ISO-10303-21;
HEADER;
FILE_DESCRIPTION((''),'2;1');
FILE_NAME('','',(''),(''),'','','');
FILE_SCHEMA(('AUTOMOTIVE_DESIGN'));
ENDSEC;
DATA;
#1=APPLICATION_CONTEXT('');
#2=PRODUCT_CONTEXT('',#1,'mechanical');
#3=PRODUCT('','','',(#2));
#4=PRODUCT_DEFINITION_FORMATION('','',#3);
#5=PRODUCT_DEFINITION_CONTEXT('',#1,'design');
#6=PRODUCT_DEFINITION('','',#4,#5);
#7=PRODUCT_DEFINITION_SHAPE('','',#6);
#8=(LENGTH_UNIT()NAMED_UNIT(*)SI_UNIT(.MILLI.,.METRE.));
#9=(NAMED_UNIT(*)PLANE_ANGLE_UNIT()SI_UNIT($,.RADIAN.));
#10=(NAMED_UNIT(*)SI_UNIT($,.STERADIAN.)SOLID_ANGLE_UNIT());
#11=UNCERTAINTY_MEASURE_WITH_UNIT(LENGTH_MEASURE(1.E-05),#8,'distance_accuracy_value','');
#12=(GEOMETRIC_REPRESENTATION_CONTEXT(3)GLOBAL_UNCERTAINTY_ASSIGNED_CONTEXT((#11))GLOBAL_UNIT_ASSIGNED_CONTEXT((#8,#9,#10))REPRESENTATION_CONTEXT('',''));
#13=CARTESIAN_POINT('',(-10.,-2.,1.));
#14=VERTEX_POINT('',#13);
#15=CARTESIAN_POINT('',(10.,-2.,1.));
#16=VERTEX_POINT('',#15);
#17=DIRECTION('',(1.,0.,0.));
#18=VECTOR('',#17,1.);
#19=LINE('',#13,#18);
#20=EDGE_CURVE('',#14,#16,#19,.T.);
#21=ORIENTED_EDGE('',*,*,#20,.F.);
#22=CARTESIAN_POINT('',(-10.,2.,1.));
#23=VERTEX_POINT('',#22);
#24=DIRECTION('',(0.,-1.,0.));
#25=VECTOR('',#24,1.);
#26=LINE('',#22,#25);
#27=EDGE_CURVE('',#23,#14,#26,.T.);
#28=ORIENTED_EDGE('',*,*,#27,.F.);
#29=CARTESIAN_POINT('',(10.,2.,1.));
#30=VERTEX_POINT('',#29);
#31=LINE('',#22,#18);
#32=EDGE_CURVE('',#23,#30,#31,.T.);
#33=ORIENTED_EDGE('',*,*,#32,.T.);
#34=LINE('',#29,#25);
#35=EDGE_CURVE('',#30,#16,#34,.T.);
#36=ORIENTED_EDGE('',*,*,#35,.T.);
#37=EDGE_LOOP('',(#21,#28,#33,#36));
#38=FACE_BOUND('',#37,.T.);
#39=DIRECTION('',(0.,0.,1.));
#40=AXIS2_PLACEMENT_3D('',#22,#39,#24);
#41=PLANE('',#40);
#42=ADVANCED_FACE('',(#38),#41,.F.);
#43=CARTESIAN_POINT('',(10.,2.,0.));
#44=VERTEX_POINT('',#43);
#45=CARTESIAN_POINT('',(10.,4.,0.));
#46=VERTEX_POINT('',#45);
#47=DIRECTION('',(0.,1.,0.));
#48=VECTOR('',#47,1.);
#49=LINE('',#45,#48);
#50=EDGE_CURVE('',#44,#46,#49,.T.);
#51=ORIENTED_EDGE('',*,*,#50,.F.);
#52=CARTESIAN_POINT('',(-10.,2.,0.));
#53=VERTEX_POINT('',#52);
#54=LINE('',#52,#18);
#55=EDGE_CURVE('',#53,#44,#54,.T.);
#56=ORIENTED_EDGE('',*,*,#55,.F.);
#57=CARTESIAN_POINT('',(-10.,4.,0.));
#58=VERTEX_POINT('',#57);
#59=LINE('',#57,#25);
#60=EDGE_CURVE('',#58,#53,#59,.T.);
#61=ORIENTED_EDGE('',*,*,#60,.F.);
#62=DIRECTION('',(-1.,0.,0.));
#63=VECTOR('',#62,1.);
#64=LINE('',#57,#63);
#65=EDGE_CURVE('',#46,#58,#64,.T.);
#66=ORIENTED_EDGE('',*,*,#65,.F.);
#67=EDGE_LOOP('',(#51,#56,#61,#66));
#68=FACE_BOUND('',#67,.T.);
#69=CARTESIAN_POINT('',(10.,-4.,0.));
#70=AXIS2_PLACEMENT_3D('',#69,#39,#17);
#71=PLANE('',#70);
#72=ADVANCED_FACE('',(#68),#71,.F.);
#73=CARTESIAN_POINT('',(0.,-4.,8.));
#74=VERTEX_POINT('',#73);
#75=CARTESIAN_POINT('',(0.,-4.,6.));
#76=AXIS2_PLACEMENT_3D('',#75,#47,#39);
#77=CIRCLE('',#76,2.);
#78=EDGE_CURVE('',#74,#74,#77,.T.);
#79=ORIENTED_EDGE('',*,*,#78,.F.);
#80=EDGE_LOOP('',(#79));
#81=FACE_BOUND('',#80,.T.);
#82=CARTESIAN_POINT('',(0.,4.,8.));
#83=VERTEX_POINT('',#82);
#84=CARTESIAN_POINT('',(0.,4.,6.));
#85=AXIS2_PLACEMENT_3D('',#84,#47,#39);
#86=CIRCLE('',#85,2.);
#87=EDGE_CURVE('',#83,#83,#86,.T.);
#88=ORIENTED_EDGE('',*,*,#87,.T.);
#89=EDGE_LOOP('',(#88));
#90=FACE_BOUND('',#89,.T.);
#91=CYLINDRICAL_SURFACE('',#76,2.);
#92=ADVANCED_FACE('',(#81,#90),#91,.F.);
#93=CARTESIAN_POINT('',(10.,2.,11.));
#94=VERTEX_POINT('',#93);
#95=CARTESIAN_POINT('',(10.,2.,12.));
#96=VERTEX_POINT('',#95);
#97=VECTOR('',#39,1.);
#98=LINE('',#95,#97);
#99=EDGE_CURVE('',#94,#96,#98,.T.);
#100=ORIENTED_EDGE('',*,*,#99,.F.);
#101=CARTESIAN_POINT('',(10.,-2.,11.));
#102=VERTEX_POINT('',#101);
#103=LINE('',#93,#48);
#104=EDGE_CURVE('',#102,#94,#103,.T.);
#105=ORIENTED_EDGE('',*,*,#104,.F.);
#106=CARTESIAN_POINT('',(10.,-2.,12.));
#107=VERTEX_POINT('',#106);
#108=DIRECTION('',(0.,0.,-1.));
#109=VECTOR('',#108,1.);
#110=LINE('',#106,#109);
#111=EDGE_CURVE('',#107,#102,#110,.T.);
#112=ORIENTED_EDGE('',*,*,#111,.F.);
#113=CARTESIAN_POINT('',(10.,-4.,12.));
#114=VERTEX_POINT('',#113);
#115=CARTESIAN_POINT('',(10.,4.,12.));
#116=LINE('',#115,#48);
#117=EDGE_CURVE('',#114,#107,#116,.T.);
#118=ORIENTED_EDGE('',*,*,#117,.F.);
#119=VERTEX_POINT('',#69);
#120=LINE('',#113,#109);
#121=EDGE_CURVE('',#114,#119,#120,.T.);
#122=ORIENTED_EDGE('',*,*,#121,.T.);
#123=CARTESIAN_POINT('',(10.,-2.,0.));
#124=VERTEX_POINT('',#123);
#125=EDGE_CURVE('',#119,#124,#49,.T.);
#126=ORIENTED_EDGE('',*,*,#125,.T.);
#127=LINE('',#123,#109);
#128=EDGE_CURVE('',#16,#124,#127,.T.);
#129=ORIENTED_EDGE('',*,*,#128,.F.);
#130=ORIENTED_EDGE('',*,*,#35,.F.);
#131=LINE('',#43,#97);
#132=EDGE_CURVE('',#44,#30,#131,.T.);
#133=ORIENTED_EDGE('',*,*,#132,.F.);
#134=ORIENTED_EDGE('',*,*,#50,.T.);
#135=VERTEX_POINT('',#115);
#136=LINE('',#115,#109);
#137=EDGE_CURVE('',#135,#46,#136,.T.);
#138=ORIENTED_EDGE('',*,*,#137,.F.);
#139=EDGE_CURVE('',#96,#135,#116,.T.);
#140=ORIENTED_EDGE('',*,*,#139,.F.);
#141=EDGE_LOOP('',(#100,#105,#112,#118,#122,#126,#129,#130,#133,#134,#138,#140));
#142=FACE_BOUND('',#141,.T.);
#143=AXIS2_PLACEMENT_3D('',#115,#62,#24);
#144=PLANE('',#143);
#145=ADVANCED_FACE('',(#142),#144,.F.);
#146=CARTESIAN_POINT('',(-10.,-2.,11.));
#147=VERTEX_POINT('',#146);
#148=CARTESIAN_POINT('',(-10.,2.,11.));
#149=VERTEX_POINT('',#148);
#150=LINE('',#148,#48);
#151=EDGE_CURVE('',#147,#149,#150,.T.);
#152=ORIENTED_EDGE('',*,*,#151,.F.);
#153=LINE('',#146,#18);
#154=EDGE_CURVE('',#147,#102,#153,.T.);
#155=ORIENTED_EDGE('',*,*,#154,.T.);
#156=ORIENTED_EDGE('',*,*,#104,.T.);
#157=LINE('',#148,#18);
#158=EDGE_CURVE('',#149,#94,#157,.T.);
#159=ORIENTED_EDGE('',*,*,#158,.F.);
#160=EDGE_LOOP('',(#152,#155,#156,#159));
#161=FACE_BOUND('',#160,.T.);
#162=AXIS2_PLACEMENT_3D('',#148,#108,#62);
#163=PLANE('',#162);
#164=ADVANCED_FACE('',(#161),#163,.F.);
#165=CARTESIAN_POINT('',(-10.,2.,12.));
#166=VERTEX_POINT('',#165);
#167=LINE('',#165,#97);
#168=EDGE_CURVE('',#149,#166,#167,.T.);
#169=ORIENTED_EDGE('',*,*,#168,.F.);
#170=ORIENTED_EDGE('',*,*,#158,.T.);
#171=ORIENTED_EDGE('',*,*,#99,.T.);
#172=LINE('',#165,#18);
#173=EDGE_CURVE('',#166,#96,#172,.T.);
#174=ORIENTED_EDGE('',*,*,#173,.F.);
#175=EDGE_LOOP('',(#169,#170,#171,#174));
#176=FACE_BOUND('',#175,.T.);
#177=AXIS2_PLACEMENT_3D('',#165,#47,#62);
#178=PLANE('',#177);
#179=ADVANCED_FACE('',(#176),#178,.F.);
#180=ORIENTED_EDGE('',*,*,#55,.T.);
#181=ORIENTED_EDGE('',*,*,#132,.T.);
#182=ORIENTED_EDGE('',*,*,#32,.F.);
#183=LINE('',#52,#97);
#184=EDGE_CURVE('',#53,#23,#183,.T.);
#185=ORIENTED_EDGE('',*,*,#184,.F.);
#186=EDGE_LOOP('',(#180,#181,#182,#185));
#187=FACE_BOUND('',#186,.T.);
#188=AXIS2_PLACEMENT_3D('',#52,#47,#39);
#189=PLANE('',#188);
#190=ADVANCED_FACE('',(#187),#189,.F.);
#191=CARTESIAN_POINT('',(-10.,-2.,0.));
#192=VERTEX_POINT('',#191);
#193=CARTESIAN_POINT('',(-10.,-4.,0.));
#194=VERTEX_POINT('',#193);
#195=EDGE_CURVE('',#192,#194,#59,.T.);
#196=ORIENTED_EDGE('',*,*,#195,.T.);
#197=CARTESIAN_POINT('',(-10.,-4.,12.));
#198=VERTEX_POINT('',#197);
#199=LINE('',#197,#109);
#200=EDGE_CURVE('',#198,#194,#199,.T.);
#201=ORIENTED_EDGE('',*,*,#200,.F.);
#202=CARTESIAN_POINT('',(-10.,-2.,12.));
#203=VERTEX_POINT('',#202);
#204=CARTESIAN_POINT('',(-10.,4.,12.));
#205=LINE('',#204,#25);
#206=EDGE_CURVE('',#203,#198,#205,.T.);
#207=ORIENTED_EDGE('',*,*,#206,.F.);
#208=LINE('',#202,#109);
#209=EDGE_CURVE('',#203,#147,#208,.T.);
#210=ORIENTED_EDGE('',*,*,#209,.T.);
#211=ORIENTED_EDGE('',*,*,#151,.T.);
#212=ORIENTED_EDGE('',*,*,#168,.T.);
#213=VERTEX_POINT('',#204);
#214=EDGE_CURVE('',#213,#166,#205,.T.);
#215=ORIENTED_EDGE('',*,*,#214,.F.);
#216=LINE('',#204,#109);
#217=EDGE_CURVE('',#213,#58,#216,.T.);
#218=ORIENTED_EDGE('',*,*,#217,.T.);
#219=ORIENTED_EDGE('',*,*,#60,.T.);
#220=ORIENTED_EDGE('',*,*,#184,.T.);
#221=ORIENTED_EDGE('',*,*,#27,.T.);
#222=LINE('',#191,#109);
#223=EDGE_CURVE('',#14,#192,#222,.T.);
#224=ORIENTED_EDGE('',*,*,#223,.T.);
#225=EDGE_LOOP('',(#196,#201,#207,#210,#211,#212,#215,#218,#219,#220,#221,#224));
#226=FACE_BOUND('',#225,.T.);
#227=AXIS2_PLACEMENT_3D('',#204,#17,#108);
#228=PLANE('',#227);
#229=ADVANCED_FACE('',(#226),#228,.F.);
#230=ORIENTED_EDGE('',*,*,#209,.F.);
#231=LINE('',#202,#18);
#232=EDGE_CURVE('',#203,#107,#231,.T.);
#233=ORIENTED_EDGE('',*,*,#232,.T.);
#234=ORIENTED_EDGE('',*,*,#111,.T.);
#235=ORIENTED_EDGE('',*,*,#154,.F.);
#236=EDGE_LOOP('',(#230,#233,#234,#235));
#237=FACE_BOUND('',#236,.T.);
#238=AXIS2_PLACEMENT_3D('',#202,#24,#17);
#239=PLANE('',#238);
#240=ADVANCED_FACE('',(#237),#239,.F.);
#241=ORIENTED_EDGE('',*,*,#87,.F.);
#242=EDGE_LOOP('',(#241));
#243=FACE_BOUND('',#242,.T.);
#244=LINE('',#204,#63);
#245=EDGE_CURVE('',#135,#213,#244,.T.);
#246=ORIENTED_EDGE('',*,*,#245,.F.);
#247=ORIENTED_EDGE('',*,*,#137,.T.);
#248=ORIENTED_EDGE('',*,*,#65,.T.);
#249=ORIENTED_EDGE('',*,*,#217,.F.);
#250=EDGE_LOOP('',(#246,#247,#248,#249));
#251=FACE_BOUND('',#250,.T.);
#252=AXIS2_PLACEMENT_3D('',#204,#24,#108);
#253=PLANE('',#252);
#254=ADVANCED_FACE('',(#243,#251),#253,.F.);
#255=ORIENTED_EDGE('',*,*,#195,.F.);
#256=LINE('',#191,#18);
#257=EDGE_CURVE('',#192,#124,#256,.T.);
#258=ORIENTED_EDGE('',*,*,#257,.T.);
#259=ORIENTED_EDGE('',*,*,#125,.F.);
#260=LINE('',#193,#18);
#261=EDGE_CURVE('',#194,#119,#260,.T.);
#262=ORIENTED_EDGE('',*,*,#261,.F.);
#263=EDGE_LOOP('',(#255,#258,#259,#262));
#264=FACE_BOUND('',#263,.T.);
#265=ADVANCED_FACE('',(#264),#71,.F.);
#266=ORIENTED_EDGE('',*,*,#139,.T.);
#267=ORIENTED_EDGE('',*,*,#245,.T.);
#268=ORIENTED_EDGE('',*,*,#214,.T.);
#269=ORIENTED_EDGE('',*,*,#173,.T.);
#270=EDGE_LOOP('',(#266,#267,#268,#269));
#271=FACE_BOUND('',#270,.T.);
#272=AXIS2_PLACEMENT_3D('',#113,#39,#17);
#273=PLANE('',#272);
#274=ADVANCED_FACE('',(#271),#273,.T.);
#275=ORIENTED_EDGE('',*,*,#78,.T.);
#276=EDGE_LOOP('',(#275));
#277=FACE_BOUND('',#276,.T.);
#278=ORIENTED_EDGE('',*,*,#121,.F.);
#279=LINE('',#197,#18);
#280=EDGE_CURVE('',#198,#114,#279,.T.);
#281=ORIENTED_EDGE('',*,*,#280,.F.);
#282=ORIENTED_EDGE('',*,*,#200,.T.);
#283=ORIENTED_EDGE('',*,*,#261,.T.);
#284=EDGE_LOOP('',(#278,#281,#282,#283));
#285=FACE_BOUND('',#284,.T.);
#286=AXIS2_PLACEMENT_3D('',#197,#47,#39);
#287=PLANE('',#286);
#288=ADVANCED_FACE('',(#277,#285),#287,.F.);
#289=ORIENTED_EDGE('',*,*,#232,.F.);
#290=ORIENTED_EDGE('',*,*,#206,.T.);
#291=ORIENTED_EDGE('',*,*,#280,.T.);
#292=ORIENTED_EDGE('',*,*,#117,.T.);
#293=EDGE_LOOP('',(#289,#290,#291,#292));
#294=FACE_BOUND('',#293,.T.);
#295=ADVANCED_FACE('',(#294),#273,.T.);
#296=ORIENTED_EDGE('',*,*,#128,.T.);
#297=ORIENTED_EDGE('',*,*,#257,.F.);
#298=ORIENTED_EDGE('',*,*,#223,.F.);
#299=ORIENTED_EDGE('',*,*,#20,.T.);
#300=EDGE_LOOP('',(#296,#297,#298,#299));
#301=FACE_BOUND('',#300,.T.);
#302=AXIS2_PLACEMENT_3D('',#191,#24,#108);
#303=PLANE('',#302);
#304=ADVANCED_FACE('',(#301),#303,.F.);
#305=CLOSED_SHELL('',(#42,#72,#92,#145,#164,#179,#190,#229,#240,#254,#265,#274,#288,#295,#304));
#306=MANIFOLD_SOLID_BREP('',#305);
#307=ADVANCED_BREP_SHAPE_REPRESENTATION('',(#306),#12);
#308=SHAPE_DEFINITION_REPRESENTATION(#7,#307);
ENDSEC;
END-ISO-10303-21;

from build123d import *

# Parameters (mm, degrees)
SKETCH_1_W          = 20
SKETCH_1_H          = 8
EXTRUDE_1_DEPTH     = 12
SKETCH_2_W          = 1
SKETCH_2_H          = 4
CUT_EXTRUDE_3_DEPTH = 21
CUT_EXTRUDE_4_DEPTH = 9


with BuildPart() as part:
    # 草图1 → 凸台-拉伸1 (new body)
    with BuildSketch(Plane.XY):
        Rectangle(SKETCH_1_W, SKETCH_1_H)
    extrude(amount=EXTRUDE_1_DEPTH)

    # 草图2 → 切除-拉伸3 (cut, through all)
    with BuildSketch(Plane(origin=(10, 0, 0), x_dir=(0, 0, -1), z_dir=(1, 0, 0))):
        with Locations((-0.5, 0)):
            Rectangle(SKETCH_2_W, SKETCH_2_H)
        with Locations((-11.5, 0)):
            Rectangle(SKETCH_2_W, SKETCH_2_H)
    extrude(amount=-CUT_EXTRUDE_3_DEPTH, mode=Mode.SUBTRACT)

    # 草图3 → 切除-拉伸4 (cut, through all)
    with BuildSketch(Plane(origin=(0, 4, 0), x_dir=(1, 0, 0), z_dir=(0, 1, 0))):
        with BuildLine():
            ThreePointArc((2, -6), (1.414213562, -4.585786438), (0, -4))
            Line((0, -4), (0, -8))
            ThreePointArc((0, -8), (1.414213562, -7.414213562), (2, -6))
        make_face()
        with BuildLine():
            Line((0, -8), (0, -4))
            ThreePointArc((0, -4), (-2, -6), (0, -8))
        make_face()
    extrude(amount=-CUT_EXTRUDE_4_DEPTH, mode=Mode.SUBTRACT)


solid = part.part
